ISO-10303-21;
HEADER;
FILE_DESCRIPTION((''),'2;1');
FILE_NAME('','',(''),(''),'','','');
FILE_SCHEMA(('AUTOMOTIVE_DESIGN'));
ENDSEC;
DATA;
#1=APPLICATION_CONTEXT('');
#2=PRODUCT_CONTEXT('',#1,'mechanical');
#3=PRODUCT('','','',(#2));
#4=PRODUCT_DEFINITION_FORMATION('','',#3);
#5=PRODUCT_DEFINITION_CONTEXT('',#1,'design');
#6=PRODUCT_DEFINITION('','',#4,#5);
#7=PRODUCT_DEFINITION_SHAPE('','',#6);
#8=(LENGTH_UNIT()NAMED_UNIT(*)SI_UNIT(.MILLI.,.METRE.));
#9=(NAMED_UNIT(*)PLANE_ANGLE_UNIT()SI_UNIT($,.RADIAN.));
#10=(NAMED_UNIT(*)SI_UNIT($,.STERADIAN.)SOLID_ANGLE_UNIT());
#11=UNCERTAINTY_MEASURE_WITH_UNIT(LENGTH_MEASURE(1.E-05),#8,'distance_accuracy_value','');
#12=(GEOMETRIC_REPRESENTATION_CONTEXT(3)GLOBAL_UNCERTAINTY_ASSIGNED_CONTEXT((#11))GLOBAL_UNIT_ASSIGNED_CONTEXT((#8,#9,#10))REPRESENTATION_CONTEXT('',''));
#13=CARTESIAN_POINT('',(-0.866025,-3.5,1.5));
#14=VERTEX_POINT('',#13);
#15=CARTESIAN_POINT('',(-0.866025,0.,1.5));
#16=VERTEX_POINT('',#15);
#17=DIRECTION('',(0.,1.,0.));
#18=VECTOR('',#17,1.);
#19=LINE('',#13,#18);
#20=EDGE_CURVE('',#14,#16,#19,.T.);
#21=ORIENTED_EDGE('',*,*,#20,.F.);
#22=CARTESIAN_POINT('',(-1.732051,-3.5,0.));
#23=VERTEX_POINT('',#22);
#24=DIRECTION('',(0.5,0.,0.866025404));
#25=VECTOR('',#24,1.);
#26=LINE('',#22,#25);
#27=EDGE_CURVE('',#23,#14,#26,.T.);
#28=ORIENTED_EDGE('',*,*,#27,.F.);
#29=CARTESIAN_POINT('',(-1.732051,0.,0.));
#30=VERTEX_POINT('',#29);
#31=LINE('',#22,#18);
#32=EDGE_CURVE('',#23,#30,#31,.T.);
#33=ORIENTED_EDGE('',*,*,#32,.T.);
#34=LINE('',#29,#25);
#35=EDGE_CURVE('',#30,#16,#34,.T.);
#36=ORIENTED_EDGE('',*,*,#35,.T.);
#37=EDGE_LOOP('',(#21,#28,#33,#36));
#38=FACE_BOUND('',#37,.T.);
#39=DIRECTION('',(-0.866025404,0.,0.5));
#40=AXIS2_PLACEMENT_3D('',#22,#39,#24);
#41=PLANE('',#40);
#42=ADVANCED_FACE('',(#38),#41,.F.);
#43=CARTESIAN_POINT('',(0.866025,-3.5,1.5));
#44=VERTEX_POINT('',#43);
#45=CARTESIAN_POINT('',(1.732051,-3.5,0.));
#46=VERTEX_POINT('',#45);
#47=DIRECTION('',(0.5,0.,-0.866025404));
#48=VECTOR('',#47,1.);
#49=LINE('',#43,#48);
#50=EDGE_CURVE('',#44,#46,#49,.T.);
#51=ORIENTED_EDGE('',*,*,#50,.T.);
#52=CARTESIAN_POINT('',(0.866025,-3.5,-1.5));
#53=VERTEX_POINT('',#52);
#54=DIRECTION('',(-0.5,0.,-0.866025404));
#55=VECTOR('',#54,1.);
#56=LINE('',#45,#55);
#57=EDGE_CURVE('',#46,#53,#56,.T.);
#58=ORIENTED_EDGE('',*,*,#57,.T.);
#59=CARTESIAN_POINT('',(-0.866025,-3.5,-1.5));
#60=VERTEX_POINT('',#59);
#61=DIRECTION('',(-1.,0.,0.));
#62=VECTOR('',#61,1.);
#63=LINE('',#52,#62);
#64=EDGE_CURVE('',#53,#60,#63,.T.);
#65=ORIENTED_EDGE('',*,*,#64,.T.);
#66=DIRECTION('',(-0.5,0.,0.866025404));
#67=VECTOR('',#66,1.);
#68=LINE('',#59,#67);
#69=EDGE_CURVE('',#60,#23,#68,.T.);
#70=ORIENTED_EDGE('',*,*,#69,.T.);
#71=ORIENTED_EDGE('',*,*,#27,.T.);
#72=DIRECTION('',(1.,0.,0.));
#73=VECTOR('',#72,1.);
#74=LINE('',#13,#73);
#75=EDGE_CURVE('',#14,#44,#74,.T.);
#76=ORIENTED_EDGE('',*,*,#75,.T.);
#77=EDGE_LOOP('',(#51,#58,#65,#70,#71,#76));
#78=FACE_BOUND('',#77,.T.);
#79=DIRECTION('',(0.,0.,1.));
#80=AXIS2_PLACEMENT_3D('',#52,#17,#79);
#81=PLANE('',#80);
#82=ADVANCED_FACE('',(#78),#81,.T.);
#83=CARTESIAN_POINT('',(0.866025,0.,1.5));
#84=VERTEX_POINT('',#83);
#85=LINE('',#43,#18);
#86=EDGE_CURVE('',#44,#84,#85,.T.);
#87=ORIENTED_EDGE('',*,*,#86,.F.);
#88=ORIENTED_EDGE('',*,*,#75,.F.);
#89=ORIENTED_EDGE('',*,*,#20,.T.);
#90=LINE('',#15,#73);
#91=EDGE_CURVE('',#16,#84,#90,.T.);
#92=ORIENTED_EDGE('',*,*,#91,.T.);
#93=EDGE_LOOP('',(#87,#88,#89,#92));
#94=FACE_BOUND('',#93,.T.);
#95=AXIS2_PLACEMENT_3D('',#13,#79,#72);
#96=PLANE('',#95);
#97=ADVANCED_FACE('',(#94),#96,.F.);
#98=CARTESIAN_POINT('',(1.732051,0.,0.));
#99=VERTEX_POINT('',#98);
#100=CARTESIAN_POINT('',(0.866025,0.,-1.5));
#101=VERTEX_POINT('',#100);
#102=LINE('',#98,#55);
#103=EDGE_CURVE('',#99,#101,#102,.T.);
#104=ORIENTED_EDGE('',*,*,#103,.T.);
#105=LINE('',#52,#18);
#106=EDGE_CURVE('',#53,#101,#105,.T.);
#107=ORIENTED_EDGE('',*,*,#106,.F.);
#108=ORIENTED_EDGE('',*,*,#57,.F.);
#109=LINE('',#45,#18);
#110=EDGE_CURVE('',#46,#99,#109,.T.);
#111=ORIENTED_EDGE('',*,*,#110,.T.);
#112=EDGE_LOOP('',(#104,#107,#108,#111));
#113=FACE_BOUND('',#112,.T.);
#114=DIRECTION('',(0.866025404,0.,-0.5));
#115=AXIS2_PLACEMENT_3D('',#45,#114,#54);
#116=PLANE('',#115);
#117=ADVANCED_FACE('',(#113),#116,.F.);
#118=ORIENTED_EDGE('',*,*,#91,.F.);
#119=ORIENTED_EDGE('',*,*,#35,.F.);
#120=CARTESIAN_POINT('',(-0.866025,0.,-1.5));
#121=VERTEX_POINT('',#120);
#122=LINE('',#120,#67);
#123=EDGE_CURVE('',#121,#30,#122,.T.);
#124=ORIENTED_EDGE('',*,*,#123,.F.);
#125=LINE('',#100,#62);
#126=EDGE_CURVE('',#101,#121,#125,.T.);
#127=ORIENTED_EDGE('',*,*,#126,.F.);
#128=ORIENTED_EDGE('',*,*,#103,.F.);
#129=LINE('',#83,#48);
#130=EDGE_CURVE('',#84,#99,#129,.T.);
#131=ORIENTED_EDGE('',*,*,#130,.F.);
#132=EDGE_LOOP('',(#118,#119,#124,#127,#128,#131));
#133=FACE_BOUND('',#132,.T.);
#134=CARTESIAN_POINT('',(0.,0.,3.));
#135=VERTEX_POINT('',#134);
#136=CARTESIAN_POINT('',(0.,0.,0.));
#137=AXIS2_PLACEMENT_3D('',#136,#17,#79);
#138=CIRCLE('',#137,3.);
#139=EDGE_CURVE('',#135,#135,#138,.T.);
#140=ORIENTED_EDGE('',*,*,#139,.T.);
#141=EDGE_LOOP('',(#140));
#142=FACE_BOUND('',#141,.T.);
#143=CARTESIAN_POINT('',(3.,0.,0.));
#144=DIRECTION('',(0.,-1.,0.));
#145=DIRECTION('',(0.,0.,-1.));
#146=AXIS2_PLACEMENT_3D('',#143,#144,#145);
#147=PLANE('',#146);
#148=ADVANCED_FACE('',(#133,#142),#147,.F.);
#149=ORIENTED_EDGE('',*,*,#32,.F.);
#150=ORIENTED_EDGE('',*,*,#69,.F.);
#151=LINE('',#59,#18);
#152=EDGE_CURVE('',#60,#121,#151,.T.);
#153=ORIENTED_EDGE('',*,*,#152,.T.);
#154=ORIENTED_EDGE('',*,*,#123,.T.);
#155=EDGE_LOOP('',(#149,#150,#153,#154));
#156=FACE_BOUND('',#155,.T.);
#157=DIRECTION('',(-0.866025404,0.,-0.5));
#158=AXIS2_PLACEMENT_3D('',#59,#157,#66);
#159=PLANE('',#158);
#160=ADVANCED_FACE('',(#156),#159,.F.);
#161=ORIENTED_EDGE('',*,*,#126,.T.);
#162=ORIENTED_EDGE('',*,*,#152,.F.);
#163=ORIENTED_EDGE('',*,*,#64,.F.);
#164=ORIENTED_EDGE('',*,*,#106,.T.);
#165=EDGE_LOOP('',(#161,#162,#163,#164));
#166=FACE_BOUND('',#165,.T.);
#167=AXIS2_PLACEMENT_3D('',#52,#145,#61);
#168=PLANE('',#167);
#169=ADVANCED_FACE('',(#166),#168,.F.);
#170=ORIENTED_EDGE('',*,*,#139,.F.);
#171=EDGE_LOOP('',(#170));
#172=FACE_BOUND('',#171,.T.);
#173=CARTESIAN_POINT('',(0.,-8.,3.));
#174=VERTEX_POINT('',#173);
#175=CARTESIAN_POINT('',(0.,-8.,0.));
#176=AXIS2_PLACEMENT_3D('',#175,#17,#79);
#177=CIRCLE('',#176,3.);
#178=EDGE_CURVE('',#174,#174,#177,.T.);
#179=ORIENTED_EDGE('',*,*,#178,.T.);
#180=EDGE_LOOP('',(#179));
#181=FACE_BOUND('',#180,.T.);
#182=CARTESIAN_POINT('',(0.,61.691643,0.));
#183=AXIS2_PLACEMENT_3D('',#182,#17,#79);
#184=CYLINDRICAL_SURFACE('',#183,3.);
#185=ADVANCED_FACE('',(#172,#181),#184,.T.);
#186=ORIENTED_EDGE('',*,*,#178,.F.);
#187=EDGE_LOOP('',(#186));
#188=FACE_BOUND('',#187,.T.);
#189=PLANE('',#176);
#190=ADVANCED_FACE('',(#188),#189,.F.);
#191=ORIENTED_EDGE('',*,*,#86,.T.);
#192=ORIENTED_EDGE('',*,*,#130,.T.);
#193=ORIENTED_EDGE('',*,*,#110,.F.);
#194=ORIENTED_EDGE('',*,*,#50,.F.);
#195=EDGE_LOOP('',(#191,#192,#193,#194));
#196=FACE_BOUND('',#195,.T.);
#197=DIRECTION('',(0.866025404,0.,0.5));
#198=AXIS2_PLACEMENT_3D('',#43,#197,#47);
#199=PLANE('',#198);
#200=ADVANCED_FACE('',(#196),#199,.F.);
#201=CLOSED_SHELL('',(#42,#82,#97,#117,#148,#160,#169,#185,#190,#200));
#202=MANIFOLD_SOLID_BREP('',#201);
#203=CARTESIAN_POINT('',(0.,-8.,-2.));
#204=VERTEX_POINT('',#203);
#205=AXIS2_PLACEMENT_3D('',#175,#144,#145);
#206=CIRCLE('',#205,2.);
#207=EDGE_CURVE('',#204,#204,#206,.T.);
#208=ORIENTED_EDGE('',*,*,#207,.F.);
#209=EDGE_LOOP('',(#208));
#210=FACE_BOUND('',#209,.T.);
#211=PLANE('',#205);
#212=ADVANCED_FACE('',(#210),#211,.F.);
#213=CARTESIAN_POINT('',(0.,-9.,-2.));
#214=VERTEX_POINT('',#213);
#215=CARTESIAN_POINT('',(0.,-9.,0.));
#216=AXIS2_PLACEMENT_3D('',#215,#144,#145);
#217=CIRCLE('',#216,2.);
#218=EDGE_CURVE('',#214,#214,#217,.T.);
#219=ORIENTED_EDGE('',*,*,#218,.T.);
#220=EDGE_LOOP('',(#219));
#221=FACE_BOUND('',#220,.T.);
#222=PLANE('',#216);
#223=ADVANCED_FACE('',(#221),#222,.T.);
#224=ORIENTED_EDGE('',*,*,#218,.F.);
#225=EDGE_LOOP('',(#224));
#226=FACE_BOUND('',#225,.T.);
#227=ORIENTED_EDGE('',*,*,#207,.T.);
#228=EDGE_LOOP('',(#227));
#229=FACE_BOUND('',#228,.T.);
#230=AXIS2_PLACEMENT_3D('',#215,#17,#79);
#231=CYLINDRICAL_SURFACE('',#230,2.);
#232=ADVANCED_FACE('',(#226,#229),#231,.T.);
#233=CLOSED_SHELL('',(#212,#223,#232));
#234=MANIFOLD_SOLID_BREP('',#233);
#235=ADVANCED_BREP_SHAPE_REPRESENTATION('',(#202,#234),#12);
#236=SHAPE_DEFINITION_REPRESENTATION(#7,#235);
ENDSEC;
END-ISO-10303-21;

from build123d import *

# Parameters (mm, degrees)
SKETCH1_W           = 3
SKETCH1_H           = 8
SKETCH3_R           = 2
BOSS_EXTRUDE1_DEPTH = 1
CUT_EXTRUDE1_DEPTH  = 3.5


with BuildPart() as part:
    # Sketch1 → Revolve1 (revolve)
    with BuildSketch(Plane.XY, mode=Mode.PRIVATE) as revolve1_sk:
        with Locations((1.5, -4)):
            Rectangle(SKETCH1_W, SKETCH1_H)
    revolve(revolve1_sk.sketch.rotate(Axis((0, 61.691642626, 0), (0, -1, 0)), 90), axis=Axis((0, 61.691642626, 0), (0, -1, 0)))

    # Sketch2 → Cut-Extrude1 (cut)
    with BuildSketch(Plane(origin=(0, 0, 0), x_dir=(-1, 0, 0), z_dir=(0, 1, 0))):
        Polygon((-0.866025404, -1.5), (0.866025404, -1.5), (1.732050808, 0), (0.866025404, 1.5), (-0.866025404, 1.5), (-1.732050808, 0), align=None)
    extrude(amount=-CUT_EXTRUDE1_DEPTH, mode=Mode.SUBTRACT)


with BuildPart() as body_2:
    # Sketch3 → Boss-Extrude1 (new body)
    with BuildSketch(Plane.XZ.offset(8)):
        with Locations(Location((0, 0, 0), (0, 0, 270))):
            Circle(SKETCH3_R)
    extrude(amount=BOSS_EXTRUDE1_DEPTH)


solid = Compound([part.part, body_2.part])
